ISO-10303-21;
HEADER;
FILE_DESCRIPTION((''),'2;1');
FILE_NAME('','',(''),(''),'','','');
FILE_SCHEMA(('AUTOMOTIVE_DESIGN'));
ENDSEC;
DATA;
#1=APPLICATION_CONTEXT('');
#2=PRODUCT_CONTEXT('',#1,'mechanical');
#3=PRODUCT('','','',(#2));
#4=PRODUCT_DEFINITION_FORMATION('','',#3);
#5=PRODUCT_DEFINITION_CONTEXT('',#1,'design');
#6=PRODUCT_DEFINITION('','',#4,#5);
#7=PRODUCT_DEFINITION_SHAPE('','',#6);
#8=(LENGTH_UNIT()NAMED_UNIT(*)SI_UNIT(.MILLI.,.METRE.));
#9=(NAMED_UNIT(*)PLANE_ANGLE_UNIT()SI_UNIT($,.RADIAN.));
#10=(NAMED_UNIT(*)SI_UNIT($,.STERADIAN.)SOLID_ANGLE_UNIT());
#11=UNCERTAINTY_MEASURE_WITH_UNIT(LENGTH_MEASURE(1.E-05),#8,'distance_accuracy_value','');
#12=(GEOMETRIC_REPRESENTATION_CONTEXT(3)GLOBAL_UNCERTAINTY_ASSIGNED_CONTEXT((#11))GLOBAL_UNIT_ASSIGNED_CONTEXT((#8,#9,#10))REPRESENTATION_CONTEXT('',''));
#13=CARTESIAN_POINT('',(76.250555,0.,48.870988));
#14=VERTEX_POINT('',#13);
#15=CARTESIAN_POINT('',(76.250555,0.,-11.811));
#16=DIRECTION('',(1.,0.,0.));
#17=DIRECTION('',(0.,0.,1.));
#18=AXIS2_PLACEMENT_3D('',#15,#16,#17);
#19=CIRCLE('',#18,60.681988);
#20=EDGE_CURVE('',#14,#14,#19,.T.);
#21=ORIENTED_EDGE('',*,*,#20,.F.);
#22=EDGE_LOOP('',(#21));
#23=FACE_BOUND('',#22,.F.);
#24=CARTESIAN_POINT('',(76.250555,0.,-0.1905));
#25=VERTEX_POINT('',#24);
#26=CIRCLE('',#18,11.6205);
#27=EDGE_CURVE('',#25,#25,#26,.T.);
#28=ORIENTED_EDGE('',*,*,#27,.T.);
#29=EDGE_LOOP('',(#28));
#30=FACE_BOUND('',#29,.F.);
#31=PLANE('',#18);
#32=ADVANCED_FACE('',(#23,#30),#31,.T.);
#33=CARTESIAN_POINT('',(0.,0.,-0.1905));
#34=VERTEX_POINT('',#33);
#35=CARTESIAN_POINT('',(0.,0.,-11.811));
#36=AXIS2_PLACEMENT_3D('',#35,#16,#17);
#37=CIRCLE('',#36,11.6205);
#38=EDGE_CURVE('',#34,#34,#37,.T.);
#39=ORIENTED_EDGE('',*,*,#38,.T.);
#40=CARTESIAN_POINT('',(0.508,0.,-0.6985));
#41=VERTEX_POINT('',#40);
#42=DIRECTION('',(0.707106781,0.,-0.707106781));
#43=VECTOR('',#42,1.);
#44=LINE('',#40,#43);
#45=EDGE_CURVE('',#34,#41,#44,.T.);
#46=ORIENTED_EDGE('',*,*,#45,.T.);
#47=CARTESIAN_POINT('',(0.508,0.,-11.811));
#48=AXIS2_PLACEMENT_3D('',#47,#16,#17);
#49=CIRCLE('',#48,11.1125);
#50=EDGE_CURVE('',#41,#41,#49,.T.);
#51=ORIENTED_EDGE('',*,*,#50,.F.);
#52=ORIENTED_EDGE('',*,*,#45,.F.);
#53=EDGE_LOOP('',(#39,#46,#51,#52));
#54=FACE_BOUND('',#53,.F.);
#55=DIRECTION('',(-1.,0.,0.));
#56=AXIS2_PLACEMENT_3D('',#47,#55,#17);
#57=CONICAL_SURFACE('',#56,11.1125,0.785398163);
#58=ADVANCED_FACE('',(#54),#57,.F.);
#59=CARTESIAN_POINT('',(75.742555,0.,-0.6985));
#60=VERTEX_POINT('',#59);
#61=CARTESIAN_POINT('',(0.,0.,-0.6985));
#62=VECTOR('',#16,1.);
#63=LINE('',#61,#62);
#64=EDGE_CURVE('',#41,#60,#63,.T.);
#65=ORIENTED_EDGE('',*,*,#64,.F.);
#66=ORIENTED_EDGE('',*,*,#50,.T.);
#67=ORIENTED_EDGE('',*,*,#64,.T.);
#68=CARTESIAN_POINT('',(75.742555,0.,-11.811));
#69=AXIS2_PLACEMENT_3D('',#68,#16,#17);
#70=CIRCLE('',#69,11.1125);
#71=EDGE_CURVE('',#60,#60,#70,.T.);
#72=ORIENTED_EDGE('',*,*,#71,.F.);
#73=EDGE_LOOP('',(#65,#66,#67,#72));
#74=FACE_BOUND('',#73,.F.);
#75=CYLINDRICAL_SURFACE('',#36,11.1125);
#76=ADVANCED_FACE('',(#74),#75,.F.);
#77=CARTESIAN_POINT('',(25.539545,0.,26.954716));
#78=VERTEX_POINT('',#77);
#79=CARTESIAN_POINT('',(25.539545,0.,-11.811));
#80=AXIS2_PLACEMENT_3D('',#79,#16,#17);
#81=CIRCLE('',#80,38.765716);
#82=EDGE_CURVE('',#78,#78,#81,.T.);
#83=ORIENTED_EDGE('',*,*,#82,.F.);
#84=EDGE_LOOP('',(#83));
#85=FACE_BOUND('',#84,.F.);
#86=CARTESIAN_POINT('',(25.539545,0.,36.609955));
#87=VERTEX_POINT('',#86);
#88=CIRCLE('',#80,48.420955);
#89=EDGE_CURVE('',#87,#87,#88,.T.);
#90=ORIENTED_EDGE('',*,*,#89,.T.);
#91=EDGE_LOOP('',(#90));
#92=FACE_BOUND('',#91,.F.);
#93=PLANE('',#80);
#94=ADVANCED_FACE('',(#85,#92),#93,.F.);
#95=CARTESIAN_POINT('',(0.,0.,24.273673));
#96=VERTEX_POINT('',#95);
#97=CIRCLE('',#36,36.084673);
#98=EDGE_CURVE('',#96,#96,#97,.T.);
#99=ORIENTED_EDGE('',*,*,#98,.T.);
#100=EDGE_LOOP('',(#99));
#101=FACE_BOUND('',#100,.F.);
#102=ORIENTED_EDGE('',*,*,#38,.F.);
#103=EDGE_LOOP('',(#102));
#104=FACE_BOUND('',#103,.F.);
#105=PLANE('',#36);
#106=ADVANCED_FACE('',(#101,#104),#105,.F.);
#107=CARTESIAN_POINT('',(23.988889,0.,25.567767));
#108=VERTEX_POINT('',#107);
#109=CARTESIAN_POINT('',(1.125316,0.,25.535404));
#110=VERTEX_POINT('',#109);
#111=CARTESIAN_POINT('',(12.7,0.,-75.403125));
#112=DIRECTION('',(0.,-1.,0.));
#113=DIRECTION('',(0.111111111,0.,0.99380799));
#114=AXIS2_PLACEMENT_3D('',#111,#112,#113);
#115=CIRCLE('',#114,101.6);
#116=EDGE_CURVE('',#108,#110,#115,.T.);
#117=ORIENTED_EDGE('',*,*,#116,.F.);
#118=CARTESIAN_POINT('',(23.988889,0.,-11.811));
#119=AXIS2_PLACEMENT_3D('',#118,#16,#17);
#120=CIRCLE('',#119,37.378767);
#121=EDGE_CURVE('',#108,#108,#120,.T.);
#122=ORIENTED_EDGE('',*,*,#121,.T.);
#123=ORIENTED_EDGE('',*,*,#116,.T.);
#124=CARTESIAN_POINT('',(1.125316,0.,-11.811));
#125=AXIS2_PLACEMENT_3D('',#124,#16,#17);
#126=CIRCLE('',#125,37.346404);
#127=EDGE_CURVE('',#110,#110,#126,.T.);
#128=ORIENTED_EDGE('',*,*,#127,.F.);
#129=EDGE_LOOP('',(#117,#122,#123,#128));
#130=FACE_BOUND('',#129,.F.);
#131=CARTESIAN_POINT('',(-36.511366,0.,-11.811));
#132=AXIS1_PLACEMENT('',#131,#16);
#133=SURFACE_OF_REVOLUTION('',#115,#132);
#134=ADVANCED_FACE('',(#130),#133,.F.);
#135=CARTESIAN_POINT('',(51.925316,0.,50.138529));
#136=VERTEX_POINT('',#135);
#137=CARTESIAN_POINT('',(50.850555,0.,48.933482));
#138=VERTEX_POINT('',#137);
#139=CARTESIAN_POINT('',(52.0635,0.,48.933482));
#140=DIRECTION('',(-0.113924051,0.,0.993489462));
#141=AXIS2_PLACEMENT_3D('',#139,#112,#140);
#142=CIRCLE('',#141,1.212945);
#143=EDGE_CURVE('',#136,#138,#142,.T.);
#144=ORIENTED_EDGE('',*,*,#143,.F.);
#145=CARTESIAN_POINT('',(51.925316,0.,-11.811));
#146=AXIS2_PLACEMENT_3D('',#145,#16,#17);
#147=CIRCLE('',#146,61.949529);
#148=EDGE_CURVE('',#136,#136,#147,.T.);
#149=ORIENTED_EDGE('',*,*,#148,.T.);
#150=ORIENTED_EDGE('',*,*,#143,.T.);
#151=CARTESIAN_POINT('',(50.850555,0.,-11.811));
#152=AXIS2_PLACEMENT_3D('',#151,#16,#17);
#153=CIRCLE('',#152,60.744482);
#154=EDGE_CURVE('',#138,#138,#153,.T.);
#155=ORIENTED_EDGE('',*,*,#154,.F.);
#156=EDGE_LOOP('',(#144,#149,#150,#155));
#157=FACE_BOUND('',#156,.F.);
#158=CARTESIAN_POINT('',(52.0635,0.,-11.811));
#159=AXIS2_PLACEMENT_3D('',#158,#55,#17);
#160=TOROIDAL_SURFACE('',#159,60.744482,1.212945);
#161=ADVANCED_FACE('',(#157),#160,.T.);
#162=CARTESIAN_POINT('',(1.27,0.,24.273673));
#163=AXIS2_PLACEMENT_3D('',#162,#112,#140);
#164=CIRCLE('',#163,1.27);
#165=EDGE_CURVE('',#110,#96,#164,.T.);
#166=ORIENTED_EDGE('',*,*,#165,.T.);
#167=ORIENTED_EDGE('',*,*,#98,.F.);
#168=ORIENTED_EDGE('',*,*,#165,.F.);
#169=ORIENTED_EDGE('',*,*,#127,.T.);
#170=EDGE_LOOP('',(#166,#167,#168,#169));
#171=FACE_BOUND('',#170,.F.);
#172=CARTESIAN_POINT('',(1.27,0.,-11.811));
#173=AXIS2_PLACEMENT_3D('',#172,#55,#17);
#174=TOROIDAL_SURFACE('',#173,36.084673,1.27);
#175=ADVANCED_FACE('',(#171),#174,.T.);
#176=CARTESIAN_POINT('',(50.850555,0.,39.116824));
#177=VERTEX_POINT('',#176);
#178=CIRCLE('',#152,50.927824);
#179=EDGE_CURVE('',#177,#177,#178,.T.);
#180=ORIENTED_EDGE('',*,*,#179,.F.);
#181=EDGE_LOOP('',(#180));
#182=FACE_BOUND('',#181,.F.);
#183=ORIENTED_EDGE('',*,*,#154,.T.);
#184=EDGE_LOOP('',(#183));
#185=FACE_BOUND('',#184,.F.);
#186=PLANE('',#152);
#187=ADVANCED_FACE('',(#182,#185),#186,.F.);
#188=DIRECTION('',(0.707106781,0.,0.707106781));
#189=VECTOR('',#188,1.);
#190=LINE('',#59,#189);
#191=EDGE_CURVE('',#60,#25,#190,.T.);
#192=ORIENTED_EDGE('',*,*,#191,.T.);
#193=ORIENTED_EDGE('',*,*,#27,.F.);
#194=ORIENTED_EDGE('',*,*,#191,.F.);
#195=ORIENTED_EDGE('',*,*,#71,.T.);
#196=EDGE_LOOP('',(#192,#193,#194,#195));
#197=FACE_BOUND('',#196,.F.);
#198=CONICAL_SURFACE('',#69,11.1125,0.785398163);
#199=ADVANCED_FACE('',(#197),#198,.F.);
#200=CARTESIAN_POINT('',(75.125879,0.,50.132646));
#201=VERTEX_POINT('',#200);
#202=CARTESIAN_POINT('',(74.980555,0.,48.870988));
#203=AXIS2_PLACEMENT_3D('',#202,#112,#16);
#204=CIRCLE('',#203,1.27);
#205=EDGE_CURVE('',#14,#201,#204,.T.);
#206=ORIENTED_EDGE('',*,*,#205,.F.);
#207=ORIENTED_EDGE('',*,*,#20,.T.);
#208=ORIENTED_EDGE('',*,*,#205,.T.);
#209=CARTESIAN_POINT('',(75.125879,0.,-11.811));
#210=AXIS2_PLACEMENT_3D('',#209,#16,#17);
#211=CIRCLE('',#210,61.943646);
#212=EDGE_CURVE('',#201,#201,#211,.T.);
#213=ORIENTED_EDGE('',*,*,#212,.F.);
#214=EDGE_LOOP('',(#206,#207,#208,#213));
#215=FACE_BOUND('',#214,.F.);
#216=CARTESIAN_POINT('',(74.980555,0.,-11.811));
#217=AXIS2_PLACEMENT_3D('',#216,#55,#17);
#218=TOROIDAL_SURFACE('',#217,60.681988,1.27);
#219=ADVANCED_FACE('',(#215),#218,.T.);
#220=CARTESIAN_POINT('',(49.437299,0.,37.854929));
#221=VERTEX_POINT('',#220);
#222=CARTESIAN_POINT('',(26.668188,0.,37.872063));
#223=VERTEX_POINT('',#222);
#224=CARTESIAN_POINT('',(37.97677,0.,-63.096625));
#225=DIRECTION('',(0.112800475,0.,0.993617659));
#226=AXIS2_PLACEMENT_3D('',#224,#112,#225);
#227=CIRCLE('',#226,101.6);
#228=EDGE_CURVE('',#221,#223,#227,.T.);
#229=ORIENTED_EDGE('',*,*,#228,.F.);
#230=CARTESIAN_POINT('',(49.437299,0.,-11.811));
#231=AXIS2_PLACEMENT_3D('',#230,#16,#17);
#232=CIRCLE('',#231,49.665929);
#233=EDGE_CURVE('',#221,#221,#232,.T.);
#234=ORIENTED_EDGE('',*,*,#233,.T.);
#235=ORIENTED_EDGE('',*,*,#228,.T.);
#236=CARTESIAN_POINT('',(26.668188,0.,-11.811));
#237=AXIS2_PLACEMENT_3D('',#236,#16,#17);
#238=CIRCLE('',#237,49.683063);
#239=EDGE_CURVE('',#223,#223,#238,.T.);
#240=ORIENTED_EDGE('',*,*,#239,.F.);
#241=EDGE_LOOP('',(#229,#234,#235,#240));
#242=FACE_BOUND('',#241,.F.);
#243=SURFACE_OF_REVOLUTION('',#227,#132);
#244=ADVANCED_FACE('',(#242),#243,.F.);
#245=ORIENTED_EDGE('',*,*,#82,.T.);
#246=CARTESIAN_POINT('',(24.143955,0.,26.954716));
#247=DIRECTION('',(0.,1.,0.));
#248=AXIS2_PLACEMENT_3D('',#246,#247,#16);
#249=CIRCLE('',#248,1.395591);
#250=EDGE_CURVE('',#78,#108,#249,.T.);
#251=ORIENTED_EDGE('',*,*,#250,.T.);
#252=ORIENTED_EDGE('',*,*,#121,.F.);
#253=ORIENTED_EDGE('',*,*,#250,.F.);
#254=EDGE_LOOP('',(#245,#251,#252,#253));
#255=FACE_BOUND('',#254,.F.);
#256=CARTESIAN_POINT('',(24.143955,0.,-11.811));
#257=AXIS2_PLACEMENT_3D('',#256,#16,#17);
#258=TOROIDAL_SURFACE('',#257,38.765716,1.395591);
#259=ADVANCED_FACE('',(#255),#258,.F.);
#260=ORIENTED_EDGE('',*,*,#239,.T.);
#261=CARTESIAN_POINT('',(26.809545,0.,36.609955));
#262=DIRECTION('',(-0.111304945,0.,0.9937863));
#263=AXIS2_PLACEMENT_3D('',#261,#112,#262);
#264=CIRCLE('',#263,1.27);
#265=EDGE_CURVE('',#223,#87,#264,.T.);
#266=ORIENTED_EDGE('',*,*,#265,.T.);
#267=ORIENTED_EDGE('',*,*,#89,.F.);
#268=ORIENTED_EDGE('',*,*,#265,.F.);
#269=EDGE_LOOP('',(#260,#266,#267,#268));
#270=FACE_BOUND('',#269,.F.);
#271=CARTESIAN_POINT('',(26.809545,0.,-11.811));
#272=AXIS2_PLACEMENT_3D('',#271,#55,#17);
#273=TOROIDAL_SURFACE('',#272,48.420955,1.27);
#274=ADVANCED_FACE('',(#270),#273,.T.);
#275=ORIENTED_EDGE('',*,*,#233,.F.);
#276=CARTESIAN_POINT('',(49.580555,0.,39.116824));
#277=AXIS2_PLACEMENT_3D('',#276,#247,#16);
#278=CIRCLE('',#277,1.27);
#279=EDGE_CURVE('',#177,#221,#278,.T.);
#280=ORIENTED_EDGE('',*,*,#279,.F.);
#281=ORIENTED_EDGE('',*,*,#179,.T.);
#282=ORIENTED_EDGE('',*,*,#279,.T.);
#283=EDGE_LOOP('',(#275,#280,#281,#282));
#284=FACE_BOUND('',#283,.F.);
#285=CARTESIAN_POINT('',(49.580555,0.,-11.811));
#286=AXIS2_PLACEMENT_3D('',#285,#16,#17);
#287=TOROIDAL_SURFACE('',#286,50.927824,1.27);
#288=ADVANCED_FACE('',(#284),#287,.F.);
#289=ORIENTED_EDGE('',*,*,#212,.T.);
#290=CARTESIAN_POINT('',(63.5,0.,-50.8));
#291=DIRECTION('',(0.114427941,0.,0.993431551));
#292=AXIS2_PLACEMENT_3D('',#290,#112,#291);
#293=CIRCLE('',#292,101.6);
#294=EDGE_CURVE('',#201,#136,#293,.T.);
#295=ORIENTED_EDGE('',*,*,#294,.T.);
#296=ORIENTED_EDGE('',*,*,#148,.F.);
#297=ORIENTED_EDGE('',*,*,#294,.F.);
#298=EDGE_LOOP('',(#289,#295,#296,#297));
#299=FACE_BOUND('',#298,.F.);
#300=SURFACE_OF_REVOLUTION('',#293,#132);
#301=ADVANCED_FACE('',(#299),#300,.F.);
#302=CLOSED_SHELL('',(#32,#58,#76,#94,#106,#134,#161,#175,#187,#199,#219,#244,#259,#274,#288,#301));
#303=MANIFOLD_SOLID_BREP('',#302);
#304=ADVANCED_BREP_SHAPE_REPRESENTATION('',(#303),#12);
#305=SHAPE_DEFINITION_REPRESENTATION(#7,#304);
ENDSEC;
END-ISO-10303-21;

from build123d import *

# Parameters (mm, degrees)
F2_SIZE = 0.508


with BuildPart() as f1:
    # F0 (on Front) → F1 (revolve)
    with BuildSketch(Plane.XZ):
        with BuildLine():
            Line((0, 24.2736727498), (0, -0.6985))
            Line((0, -0.6985), (76.250555301, -0.6985))
            Line((76.250555301, -0.6985), (76.250555301, 48.8709875038))
            ThreePointArc((76.250555301, 48.8709875038), (75.9285692317, 49.716073054), (75.1258787858, 50.1326455735))
            ThreePointArc((75.1258787858, 50.1326455735), (63.5257661171, 50.7999967328), (51.9253164554, 50.1385293178))
            ThreePointArc((51.9253164554, 50.1385293178), (51.1582807319, 49.7408308388), (50.8505553007, 48.9334815091))
            Line((50.8505553007, 48.9334815091), (50.8505553007, 39.1168238164))
            ThreePointArc((50.8505553007, 39.1168238164), (50.4264170251, 38.1695023592), (49.4372986973, 37.8549293891))
            ThreePointArc((49.4372986973, 37.8549293891), (38.0532248702, 38.5033464415), (26.6681880628, 37.8720632503))
            ThreePointArc((26.6681880628, 37.8720632503), (25.8628606681, 37.4565289982), (25.5395453423, 36.6099546497))
            Line((25.5395453423, 36.6099546497), (25.5395453423, 26.9547161283))
            ThreePointArc((25.5395453423, 26.9547161283), (25.0743484063, 25.9145041564), (23.9888888889, 25.5677668324))
            ThreePointArc((23.9888888889, 25.5677668324), (12.5561894351, 26.1967732695), (1.1253164557, 25.5354043663))
            ThreePointArc((1.1253164557, 25.5354043663), (0.3222004164, 25.1189986925), (0, 24.2736727498))
        make_face()
    revolve(axis=Axis((-36.5113655057, 0, -11.811), (1, 0, 0)))

    # F2
    f2_edges = [f1.edges().sort_by_distance(p)[0] for p in [
        (76.250555, 0, -22.9235),
        (0, 0, -22.9235),
    ]]
    chamfer(f2_edges, length=F2_SIZE)


solid = f1.part
